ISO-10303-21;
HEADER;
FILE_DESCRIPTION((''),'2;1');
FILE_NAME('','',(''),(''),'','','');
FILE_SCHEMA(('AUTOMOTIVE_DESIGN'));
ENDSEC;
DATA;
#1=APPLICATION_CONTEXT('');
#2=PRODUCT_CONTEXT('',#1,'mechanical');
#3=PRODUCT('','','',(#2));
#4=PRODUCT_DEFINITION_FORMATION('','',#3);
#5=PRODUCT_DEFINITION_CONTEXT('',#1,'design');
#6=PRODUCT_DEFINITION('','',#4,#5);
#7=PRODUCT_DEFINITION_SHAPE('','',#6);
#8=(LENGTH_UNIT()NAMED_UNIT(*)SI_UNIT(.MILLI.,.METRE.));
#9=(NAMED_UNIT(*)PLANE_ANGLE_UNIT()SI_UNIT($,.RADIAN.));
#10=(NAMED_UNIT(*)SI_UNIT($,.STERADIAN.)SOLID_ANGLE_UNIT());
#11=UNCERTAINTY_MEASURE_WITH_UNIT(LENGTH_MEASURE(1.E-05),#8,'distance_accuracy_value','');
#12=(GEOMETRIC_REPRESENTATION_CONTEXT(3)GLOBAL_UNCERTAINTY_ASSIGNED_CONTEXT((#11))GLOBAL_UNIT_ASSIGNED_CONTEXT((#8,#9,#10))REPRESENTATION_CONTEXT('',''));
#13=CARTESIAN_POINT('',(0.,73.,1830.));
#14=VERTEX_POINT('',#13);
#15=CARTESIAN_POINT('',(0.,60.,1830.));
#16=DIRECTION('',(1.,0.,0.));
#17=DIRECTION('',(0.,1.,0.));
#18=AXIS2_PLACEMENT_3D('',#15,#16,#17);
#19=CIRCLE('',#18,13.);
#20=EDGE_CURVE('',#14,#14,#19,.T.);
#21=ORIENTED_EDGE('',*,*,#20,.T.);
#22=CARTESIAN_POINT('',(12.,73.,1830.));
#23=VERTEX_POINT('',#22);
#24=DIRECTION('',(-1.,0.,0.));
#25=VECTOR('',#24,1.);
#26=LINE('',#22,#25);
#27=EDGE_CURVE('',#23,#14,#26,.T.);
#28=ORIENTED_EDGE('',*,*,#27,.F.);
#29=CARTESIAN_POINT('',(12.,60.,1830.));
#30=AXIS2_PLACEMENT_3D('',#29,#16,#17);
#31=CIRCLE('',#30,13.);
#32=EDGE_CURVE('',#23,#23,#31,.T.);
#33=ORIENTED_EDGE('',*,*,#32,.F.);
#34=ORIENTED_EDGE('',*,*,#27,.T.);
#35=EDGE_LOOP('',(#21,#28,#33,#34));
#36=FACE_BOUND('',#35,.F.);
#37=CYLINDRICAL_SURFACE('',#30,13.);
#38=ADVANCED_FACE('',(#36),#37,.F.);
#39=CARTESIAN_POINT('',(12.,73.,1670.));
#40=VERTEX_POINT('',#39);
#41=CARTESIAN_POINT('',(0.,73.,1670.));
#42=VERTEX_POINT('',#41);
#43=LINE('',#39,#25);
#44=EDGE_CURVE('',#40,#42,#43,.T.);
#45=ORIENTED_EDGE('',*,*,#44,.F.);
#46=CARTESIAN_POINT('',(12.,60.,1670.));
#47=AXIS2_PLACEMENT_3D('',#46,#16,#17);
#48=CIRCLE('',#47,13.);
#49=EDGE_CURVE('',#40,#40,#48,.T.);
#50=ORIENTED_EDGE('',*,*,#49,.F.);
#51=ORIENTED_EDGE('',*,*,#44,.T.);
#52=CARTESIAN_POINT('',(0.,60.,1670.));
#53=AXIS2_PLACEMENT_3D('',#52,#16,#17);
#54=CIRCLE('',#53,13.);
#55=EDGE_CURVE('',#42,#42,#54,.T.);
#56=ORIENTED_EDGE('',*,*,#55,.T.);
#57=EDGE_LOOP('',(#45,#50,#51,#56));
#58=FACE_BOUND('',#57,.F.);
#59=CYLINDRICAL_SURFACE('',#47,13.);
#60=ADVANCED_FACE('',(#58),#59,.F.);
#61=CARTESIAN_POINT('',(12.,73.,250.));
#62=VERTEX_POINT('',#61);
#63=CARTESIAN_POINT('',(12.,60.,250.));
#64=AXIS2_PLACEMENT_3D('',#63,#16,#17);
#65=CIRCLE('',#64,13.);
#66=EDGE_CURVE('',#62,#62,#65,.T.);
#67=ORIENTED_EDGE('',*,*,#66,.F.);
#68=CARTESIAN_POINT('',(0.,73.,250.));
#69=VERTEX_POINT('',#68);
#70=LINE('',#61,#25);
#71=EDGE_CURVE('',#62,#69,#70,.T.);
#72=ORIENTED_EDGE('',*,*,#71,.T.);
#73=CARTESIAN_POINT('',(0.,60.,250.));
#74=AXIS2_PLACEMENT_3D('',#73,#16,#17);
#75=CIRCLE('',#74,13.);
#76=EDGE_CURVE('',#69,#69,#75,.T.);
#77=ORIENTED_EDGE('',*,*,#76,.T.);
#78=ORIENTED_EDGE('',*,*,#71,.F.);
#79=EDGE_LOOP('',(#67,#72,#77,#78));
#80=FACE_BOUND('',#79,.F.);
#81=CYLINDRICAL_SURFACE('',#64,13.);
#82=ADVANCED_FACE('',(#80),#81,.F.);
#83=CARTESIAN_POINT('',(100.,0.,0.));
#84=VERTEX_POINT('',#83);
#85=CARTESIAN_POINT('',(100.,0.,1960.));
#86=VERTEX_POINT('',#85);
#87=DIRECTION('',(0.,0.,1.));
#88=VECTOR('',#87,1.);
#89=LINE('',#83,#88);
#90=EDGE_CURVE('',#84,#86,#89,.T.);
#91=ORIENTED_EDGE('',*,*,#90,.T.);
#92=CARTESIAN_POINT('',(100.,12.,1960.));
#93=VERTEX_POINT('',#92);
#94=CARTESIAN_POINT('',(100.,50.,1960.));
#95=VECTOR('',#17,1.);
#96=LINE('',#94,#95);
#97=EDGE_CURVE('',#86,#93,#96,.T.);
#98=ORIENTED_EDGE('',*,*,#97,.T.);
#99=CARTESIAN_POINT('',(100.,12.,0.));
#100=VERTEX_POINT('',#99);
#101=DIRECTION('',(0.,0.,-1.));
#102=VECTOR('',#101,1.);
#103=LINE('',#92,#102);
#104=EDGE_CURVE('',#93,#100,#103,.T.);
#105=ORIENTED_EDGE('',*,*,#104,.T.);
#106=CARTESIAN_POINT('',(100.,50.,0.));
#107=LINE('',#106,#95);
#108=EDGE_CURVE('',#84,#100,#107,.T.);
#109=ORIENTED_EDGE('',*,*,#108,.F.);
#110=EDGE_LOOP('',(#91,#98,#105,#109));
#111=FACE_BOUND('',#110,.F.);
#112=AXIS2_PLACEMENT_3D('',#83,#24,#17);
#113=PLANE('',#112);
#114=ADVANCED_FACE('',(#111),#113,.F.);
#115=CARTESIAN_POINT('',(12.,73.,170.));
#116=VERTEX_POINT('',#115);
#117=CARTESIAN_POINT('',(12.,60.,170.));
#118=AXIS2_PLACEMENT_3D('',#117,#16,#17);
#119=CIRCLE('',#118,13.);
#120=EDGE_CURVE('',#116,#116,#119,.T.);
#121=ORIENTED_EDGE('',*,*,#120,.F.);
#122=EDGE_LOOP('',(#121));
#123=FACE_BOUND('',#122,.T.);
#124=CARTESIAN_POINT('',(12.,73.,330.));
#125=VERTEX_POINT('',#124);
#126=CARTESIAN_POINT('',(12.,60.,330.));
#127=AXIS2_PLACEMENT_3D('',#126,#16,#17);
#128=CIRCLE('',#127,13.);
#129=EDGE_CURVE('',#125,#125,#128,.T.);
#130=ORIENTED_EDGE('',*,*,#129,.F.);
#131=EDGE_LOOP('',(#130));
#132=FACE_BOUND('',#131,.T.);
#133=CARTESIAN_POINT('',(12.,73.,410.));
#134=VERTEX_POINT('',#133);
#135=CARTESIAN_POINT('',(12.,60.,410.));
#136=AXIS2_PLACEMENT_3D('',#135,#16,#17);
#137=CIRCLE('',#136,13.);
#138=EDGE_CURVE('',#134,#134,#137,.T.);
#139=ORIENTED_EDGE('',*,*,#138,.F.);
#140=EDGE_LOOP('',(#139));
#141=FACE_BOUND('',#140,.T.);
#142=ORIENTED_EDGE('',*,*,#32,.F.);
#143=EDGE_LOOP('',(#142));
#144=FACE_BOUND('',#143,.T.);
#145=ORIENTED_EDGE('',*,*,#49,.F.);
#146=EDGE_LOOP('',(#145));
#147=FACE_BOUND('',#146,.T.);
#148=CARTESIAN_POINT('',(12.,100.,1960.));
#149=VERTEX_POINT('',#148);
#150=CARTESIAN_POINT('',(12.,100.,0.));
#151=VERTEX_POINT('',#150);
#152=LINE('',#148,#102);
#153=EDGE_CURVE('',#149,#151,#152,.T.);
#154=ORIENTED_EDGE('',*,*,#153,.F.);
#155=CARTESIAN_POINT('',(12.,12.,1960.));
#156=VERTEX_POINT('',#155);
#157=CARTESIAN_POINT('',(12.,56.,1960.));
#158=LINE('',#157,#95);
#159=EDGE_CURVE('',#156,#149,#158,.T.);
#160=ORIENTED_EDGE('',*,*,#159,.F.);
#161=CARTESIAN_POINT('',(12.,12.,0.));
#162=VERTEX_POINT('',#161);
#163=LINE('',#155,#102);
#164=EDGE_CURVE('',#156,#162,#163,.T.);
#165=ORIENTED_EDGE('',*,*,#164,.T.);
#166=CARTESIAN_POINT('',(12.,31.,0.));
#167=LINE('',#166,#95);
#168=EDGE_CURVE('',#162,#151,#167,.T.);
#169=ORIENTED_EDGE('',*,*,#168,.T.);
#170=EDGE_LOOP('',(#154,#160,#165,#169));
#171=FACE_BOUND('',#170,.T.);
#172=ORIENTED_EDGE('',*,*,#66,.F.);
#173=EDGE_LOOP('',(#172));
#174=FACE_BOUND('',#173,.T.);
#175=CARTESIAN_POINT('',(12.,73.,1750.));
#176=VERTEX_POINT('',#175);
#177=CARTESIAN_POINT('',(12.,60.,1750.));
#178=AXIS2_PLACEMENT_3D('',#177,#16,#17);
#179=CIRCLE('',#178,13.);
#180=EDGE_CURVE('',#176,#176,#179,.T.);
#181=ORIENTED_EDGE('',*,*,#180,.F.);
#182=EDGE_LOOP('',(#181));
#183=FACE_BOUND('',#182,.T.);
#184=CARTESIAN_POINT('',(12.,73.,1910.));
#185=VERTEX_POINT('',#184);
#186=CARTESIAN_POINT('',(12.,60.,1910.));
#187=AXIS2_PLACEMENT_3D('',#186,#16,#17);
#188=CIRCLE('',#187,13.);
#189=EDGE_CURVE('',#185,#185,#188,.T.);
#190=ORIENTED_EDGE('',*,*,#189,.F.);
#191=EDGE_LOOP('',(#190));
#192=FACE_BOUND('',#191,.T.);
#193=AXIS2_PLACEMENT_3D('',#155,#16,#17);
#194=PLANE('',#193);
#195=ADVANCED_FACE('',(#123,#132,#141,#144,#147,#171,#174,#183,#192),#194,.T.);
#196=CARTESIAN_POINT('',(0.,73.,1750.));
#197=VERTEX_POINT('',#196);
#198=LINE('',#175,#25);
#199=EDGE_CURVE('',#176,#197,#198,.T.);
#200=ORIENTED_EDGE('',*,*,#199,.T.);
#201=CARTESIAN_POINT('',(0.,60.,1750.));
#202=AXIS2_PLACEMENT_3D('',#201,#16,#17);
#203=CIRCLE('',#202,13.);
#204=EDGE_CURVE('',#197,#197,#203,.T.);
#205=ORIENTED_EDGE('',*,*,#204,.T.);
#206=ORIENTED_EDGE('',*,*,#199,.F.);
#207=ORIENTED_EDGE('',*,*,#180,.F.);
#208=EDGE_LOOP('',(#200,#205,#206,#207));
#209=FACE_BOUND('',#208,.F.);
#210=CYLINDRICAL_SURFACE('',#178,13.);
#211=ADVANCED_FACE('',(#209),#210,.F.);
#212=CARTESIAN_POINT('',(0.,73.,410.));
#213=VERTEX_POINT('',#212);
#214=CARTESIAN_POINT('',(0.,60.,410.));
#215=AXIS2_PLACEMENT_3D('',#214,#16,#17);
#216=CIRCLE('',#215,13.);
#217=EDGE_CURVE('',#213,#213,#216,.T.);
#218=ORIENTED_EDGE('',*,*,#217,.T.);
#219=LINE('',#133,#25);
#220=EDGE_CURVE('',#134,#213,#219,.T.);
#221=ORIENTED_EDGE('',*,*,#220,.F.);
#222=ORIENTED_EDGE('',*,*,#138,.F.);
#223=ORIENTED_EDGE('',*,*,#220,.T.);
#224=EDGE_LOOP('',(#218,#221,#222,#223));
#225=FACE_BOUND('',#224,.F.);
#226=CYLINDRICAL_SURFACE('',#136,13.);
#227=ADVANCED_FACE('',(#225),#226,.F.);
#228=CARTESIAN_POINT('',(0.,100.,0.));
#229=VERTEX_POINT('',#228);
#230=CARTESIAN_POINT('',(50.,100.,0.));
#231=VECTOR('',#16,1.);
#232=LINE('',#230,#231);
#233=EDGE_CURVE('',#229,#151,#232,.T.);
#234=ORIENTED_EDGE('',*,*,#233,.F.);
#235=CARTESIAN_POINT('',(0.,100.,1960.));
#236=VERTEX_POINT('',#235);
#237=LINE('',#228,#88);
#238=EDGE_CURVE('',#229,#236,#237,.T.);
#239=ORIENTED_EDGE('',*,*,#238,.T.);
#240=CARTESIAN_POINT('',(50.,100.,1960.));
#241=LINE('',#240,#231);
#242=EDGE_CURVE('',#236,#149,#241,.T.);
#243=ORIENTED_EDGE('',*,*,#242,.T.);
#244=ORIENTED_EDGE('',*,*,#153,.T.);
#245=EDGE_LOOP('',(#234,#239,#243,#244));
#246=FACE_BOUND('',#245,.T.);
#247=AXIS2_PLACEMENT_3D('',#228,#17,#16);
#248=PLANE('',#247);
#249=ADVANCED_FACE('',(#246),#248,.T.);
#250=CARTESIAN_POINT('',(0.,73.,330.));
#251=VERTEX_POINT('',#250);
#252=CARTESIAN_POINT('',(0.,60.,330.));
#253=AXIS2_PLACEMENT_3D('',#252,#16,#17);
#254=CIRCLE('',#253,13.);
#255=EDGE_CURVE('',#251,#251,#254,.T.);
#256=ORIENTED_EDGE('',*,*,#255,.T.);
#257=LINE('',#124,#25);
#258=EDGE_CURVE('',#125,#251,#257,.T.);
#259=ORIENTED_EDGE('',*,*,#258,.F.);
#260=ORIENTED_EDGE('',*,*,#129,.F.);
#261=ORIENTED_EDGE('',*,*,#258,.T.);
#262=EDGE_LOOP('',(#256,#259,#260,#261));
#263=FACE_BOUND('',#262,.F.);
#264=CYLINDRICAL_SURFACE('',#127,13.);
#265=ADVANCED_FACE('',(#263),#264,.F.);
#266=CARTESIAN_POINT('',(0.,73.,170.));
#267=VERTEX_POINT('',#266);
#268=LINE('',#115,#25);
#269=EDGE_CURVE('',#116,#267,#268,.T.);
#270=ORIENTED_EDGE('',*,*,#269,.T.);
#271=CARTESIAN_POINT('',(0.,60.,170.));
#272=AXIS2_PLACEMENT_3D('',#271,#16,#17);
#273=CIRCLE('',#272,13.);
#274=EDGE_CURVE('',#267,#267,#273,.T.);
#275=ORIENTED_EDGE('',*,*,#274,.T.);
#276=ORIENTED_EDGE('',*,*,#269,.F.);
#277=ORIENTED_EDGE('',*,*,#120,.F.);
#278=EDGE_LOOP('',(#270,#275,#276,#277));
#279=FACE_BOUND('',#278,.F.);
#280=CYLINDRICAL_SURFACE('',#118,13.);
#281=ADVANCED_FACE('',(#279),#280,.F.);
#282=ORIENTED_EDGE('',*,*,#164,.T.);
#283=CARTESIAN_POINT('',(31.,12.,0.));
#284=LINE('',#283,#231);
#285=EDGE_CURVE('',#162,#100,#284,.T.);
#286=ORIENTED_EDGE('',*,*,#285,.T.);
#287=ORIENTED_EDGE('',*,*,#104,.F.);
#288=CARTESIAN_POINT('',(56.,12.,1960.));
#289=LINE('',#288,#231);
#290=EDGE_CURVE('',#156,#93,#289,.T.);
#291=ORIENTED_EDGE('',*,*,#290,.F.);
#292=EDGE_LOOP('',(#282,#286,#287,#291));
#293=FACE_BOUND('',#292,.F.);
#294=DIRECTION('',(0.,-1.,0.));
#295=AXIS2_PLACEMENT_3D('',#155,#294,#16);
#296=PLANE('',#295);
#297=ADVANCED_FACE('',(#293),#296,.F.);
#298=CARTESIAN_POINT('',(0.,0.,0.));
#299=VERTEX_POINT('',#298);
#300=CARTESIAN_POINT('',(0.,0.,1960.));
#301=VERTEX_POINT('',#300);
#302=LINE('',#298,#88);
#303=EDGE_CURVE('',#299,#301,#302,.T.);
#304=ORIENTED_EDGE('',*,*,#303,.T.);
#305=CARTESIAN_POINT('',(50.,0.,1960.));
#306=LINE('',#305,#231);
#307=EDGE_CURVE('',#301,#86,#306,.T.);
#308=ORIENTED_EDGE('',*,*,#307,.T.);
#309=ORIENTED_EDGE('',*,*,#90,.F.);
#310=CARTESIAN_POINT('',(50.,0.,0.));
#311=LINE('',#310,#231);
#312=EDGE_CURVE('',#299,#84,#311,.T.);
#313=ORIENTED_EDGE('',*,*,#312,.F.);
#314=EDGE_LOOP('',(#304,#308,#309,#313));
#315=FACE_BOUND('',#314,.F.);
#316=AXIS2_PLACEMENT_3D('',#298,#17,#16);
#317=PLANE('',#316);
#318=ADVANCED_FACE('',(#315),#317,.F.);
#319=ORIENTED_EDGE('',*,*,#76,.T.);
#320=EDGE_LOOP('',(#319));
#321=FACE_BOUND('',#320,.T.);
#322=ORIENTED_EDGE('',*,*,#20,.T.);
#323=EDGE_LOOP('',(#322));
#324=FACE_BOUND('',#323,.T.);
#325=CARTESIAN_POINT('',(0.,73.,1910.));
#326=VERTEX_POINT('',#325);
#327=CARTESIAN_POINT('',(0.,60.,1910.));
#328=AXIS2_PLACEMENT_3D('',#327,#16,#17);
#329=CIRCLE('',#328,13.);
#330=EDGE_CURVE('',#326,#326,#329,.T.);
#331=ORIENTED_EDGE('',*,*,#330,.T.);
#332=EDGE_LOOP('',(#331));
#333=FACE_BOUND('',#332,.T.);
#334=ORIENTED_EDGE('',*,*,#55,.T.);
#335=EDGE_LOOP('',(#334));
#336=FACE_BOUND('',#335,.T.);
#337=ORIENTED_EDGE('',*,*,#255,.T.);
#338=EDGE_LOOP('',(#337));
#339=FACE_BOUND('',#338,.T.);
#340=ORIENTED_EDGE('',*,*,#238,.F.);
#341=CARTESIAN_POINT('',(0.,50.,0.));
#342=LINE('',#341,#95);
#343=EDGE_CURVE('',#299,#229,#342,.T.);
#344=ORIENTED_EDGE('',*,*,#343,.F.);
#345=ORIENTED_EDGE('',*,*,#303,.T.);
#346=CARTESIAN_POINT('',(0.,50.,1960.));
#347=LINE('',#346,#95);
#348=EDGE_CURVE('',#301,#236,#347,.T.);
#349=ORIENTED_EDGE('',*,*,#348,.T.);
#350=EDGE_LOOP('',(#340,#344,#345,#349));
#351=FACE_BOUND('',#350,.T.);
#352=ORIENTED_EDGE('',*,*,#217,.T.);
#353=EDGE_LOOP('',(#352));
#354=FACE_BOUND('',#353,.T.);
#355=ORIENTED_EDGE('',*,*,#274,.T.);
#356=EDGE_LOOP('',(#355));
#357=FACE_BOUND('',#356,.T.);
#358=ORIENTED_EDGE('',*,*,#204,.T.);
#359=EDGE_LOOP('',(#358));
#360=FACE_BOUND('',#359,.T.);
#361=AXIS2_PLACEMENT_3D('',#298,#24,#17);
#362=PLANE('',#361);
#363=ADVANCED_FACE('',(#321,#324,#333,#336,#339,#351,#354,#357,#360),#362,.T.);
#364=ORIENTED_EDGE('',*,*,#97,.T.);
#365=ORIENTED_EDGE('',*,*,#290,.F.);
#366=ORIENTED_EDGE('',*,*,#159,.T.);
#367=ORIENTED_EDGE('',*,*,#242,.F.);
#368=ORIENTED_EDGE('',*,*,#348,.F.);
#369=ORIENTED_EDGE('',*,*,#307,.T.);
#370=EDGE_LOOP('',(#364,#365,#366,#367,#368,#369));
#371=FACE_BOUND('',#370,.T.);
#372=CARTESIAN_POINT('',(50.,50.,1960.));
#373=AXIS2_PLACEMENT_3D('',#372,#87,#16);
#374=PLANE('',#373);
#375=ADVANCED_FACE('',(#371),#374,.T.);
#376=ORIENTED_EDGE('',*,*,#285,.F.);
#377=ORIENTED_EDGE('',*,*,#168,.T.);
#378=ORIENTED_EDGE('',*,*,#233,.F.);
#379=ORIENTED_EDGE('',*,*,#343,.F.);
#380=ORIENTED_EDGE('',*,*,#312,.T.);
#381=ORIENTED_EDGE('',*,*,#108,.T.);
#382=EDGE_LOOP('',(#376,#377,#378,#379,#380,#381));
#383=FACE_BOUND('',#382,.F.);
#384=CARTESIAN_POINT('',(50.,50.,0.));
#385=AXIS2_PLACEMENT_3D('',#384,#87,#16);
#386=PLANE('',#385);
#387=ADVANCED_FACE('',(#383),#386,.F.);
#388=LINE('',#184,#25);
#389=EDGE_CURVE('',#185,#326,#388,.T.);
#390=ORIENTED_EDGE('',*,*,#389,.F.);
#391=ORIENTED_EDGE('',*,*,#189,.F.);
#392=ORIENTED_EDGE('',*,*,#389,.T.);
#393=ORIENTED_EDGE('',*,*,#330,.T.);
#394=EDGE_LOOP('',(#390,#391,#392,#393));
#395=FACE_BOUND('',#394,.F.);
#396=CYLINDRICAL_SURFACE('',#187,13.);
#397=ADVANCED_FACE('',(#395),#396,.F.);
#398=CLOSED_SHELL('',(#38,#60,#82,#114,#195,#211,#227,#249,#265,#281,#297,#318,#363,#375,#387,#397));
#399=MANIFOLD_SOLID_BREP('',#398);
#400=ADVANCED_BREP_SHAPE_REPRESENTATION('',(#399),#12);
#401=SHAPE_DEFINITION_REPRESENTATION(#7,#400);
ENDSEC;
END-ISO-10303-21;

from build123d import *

# Parameters (mm, degrees)
SKETCH_1_W             = 100
SKETCH_1_H             = 100
EXTRUDE_1_DEPTH        = 1960
SKETCH_2_W             = 88
SKETCH_2_H             = 88
CUT_EXTRUDE_1_DEPTH    = 1966.095417531
SKETCH_3_R             = 13
CUT_EXTRUDE_2_DEPTH    = 1965.521315741
PATTERN_LINEAR_1_COUNT = 4
PATTERN_LINEAR_1_PITCH = 80
SKETCH_4_R             = 13
CUT_EXTRUDE_3_DEPTH    = 1965.521315741
PATTERN_LINEAR_2_COUNT = 4
PATTERN_LINEAR_2_PITCH = 80


with BuildPart() as part:
    # 草图1 → 凸台-拉伸1 (new body)
    with BuildSketch(Plane.XY):
        with Locations((50, 50)):
            Rectangle(SKETCH_1_W, SKETCH_1_H)
    extrude(amount=EXTRUDE_1_DEPTH)

    # 草图2 → 切除-拉伸1 (cut, through all)
    with BuildSketch(Plane.XY.offset(1960)):
        with Locations((56, 56)):
            Rectangle(SKETCH_2_W, SKETCH_2_H)
    extrude(amount=-CUT_EXTRUDE_1_DEPTH, mode=Mode.SUBTRACT)

    # 草图3 → 切除-拉伸2 (cut, through all)
    with BuildSketch(Plane(origin=(12, 0, 0), x_dir=(0, 0, -1), z_dir=(1, 0, 0))):
        with Locations(Location((-1910, 60, 0), (0, 0, 90))):
            Circle(SKETCH_3_R)
    cut_extrude_2 = extrude(amount=-CUT_EXTRUDE_2_DEPTH, mode=Mode.SUBTRACT)

    # 阵列(线性)1: 切除-拉伸2 ×4
    with Locations(*[(0, 0, -i * PATTERN_LINEAR_1_PITCH) for i in range(1, PATTERN_LINEAR_1_COUNT)]):
        add(cut_extrude_2, mode=Mode.SUBTRACT)

    # 草图4 → 切除-拉伸3 (cut, through all)
    with BuildSketch(Plane(origin=(12, 0, 0), x_dir=(0, 0, -1), z_dir=(1, 0, 0))):
        with Locations(Location((-170, 60, 0), (0, 0, 90))):
            Circle(SKETCH_4_R)
    cut_extrude_3 = extrude(amount=-CUT_EXTRUDE_3_DEPTH, mode=Mode.SUBTRACT)

    # 阵列(线性)2: 切除-拉伸3 ×4
    with Locations(*[(0, 0, i * PATTERN_LINEAR_2_PITCH) for i in range(1, PATTERN_LINEAR_2_COUNT)]):
        add(cut_extrude_3, mode=Mode.SUBTRACT)


solid = part.part
